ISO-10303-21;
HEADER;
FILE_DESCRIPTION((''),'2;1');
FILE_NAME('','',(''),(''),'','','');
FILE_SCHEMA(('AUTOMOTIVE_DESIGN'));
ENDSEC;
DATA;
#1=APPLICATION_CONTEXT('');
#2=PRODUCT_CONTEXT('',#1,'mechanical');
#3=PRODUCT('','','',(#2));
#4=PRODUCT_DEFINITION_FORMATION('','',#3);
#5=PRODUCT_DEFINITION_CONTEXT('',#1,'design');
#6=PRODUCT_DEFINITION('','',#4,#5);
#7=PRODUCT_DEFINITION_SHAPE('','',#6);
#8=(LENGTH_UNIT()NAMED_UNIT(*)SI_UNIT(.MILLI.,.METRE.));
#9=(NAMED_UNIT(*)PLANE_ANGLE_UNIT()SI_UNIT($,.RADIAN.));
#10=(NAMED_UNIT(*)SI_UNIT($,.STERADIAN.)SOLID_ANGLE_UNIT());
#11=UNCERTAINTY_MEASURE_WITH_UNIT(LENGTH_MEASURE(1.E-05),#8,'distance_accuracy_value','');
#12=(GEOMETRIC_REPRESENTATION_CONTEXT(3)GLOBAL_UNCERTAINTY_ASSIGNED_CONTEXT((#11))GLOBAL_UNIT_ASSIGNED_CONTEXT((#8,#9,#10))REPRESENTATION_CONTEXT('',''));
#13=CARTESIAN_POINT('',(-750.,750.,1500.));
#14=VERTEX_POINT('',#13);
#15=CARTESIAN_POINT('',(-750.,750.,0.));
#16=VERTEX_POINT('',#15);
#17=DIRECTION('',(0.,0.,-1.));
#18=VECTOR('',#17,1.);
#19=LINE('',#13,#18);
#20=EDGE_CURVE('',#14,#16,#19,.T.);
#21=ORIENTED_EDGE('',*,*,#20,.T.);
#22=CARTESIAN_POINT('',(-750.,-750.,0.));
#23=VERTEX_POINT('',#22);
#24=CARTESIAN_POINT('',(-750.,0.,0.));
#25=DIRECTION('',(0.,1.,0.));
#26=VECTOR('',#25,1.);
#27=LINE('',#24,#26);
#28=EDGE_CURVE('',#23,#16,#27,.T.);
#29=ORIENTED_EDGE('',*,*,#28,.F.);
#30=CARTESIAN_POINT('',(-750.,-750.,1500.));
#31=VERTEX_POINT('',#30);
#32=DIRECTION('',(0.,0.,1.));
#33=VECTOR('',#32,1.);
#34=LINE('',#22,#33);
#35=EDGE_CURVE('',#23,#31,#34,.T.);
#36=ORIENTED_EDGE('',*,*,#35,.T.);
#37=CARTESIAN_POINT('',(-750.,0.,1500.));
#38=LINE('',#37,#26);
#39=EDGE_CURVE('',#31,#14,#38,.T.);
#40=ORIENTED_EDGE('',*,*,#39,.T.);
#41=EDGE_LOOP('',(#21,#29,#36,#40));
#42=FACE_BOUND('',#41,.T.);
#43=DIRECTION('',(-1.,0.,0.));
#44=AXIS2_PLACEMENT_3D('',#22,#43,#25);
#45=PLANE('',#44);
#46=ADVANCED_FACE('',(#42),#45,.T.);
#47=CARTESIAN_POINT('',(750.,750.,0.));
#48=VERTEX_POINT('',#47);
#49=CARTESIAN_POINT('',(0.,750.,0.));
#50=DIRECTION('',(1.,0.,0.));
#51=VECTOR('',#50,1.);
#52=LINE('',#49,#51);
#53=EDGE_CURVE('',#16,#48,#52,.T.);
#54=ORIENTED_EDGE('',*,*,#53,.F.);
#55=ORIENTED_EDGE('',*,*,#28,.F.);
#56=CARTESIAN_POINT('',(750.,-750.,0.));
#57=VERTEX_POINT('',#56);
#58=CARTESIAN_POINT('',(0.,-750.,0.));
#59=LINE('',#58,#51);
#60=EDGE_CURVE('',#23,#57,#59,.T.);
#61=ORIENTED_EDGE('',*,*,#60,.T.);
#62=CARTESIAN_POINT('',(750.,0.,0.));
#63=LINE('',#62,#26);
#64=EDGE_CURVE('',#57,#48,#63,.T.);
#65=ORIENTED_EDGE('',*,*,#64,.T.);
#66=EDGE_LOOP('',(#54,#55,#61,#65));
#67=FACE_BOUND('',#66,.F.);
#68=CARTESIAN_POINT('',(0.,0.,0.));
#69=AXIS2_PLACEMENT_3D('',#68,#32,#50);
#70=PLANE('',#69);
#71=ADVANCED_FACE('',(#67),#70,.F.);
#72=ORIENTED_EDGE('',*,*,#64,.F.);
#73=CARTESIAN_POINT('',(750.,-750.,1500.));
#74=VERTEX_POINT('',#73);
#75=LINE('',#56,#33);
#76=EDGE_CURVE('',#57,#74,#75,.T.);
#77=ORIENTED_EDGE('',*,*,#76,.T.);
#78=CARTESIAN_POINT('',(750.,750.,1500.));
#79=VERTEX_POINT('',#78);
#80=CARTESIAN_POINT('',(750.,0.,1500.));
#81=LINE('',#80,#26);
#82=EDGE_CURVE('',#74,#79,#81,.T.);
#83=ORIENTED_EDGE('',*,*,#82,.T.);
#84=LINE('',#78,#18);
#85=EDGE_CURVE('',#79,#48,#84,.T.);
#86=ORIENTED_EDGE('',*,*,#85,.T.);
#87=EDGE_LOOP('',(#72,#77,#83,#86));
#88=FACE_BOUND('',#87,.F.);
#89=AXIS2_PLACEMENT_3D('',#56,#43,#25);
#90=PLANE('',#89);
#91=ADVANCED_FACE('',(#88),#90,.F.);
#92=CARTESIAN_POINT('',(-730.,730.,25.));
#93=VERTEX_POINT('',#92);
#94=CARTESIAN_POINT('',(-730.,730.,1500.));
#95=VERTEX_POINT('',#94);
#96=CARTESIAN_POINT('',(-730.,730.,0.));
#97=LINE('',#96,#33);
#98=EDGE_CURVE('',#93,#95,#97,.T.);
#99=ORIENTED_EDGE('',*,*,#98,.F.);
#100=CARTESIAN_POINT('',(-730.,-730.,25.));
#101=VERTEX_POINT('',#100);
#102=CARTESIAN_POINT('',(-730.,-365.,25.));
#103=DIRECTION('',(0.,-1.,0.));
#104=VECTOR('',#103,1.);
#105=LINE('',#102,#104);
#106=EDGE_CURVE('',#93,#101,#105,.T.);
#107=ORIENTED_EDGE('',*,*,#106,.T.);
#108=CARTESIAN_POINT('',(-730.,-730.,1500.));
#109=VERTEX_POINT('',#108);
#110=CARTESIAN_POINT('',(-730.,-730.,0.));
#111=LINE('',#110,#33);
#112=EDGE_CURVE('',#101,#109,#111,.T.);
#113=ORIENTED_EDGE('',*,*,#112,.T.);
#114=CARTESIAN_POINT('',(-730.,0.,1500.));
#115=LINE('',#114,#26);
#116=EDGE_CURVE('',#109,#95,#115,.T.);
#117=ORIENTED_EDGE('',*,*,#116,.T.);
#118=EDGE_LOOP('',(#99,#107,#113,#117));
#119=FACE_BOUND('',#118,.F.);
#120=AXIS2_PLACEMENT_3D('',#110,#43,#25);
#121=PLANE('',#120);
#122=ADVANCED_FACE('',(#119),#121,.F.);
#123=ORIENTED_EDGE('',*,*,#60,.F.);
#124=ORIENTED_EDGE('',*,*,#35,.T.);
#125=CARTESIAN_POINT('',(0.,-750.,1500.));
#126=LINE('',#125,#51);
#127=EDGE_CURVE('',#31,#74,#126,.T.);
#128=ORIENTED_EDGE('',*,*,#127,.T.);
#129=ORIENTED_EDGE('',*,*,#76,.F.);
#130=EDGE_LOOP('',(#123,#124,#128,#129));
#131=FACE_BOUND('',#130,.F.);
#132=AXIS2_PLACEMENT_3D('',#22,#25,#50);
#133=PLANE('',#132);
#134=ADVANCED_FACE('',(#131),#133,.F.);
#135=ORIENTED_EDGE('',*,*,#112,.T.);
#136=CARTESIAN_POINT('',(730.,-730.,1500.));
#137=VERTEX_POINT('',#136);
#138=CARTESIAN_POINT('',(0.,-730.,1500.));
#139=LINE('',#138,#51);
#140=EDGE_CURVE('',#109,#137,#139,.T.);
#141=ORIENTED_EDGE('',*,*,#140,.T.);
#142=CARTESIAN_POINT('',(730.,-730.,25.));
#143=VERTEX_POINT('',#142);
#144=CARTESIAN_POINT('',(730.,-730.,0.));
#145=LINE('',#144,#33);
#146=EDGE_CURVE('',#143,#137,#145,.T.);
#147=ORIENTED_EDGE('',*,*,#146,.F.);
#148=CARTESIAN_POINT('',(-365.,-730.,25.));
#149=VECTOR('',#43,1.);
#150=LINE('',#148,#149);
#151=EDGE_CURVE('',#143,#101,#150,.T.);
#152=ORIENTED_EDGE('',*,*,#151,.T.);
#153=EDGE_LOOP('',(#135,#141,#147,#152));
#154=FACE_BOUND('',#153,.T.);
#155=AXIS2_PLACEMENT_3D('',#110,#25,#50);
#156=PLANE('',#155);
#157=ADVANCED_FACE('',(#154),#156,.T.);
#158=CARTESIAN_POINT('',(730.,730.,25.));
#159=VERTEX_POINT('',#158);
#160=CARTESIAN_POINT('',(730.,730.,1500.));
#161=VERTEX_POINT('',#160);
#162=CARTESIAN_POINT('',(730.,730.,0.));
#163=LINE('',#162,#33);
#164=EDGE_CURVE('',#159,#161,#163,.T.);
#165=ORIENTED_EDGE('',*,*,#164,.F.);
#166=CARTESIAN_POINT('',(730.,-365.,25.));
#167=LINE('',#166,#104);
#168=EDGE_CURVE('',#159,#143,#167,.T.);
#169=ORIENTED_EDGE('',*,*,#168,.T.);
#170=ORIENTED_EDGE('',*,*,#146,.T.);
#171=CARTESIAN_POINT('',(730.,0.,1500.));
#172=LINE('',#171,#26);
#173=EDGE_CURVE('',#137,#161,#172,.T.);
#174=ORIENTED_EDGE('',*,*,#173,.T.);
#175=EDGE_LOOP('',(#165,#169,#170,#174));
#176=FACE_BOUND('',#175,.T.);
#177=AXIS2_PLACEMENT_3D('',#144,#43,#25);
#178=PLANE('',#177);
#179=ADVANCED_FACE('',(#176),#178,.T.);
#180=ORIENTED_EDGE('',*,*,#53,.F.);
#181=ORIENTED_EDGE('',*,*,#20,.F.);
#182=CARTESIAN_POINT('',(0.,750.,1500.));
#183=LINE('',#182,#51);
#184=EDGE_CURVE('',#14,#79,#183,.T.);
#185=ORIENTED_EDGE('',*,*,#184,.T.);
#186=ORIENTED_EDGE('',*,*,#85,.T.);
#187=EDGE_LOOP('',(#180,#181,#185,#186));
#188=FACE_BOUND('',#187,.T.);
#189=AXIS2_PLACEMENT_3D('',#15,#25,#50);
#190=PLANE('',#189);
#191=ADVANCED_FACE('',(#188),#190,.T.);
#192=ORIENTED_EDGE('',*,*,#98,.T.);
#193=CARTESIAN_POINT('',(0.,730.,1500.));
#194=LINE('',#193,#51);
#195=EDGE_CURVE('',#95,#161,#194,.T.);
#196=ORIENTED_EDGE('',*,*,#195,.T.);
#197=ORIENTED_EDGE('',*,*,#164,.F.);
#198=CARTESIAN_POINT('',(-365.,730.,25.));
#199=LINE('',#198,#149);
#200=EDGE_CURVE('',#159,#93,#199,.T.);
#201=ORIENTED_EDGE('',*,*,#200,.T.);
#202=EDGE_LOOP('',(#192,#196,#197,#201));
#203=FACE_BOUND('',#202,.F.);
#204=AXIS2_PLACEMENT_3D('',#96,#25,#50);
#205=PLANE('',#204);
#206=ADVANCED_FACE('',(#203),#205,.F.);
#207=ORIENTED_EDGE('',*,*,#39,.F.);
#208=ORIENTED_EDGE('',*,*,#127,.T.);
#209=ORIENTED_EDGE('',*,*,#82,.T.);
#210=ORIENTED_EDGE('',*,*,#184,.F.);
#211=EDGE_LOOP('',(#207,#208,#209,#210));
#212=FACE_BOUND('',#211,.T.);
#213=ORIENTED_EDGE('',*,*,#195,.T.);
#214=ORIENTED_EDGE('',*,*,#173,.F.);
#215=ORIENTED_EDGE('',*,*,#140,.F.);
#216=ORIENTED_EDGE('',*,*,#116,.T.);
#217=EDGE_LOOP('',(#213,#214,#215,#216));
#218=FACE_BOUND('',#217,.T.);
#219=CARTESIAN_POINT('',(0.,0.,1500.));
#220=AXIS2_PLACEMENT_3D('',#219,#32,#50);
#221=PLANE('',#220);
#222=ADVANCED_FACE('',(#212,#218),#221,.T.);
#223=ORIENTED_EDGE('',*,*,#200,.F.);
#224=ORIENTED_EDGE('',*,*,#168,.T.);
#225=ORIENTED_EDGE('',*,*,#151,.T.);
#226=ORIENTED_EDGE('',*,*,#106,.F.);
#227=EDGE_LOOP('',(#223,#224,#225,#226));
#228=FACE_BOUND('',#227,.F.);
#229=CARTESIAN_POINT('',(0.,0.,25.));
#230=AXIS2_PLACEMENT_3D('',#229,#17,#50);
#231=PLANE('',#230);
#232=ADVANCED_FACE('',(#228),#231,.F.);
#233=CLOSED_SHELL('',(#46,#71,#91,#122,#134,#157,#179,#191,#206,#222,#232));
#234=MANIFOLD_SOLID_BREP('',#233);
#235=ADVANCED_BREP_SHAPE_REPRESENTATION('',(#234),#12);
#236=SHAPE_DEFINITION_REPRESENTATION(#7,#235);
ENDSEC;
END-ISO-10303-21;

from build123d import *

# Parameters (mm, degrees)
F0_W     = 1500
F0_H     = 1500
F0_W_2   = 1460
F0_H_2   = 1460
F1_DEPTH = 1500
F2_W     = 1500
F2_H     = 1500
F3_DEPTH = 25


with BuildPart() as f1:
    # F0 (on Top) → F1 (new body)
    with BuildSketch(Plane.XY):
        Rectangle(F0_W, F0_H)
        Rectangle(F0_W_2, F0_H_2, mode=Mode.SUBTRACT)
    extrude(amount=F1_DEPTH)

    # F2 (on face) → F3 (join)
    with BuildSketch(Plane(origin=(0, 0, 0), x_dir=(1, 0, 0), z_dir=(0, 0, -1))):
        Rectangle(F2_W, F2_H)
    extrude(amount=-F3_DEPTH)


solid = f1.part
